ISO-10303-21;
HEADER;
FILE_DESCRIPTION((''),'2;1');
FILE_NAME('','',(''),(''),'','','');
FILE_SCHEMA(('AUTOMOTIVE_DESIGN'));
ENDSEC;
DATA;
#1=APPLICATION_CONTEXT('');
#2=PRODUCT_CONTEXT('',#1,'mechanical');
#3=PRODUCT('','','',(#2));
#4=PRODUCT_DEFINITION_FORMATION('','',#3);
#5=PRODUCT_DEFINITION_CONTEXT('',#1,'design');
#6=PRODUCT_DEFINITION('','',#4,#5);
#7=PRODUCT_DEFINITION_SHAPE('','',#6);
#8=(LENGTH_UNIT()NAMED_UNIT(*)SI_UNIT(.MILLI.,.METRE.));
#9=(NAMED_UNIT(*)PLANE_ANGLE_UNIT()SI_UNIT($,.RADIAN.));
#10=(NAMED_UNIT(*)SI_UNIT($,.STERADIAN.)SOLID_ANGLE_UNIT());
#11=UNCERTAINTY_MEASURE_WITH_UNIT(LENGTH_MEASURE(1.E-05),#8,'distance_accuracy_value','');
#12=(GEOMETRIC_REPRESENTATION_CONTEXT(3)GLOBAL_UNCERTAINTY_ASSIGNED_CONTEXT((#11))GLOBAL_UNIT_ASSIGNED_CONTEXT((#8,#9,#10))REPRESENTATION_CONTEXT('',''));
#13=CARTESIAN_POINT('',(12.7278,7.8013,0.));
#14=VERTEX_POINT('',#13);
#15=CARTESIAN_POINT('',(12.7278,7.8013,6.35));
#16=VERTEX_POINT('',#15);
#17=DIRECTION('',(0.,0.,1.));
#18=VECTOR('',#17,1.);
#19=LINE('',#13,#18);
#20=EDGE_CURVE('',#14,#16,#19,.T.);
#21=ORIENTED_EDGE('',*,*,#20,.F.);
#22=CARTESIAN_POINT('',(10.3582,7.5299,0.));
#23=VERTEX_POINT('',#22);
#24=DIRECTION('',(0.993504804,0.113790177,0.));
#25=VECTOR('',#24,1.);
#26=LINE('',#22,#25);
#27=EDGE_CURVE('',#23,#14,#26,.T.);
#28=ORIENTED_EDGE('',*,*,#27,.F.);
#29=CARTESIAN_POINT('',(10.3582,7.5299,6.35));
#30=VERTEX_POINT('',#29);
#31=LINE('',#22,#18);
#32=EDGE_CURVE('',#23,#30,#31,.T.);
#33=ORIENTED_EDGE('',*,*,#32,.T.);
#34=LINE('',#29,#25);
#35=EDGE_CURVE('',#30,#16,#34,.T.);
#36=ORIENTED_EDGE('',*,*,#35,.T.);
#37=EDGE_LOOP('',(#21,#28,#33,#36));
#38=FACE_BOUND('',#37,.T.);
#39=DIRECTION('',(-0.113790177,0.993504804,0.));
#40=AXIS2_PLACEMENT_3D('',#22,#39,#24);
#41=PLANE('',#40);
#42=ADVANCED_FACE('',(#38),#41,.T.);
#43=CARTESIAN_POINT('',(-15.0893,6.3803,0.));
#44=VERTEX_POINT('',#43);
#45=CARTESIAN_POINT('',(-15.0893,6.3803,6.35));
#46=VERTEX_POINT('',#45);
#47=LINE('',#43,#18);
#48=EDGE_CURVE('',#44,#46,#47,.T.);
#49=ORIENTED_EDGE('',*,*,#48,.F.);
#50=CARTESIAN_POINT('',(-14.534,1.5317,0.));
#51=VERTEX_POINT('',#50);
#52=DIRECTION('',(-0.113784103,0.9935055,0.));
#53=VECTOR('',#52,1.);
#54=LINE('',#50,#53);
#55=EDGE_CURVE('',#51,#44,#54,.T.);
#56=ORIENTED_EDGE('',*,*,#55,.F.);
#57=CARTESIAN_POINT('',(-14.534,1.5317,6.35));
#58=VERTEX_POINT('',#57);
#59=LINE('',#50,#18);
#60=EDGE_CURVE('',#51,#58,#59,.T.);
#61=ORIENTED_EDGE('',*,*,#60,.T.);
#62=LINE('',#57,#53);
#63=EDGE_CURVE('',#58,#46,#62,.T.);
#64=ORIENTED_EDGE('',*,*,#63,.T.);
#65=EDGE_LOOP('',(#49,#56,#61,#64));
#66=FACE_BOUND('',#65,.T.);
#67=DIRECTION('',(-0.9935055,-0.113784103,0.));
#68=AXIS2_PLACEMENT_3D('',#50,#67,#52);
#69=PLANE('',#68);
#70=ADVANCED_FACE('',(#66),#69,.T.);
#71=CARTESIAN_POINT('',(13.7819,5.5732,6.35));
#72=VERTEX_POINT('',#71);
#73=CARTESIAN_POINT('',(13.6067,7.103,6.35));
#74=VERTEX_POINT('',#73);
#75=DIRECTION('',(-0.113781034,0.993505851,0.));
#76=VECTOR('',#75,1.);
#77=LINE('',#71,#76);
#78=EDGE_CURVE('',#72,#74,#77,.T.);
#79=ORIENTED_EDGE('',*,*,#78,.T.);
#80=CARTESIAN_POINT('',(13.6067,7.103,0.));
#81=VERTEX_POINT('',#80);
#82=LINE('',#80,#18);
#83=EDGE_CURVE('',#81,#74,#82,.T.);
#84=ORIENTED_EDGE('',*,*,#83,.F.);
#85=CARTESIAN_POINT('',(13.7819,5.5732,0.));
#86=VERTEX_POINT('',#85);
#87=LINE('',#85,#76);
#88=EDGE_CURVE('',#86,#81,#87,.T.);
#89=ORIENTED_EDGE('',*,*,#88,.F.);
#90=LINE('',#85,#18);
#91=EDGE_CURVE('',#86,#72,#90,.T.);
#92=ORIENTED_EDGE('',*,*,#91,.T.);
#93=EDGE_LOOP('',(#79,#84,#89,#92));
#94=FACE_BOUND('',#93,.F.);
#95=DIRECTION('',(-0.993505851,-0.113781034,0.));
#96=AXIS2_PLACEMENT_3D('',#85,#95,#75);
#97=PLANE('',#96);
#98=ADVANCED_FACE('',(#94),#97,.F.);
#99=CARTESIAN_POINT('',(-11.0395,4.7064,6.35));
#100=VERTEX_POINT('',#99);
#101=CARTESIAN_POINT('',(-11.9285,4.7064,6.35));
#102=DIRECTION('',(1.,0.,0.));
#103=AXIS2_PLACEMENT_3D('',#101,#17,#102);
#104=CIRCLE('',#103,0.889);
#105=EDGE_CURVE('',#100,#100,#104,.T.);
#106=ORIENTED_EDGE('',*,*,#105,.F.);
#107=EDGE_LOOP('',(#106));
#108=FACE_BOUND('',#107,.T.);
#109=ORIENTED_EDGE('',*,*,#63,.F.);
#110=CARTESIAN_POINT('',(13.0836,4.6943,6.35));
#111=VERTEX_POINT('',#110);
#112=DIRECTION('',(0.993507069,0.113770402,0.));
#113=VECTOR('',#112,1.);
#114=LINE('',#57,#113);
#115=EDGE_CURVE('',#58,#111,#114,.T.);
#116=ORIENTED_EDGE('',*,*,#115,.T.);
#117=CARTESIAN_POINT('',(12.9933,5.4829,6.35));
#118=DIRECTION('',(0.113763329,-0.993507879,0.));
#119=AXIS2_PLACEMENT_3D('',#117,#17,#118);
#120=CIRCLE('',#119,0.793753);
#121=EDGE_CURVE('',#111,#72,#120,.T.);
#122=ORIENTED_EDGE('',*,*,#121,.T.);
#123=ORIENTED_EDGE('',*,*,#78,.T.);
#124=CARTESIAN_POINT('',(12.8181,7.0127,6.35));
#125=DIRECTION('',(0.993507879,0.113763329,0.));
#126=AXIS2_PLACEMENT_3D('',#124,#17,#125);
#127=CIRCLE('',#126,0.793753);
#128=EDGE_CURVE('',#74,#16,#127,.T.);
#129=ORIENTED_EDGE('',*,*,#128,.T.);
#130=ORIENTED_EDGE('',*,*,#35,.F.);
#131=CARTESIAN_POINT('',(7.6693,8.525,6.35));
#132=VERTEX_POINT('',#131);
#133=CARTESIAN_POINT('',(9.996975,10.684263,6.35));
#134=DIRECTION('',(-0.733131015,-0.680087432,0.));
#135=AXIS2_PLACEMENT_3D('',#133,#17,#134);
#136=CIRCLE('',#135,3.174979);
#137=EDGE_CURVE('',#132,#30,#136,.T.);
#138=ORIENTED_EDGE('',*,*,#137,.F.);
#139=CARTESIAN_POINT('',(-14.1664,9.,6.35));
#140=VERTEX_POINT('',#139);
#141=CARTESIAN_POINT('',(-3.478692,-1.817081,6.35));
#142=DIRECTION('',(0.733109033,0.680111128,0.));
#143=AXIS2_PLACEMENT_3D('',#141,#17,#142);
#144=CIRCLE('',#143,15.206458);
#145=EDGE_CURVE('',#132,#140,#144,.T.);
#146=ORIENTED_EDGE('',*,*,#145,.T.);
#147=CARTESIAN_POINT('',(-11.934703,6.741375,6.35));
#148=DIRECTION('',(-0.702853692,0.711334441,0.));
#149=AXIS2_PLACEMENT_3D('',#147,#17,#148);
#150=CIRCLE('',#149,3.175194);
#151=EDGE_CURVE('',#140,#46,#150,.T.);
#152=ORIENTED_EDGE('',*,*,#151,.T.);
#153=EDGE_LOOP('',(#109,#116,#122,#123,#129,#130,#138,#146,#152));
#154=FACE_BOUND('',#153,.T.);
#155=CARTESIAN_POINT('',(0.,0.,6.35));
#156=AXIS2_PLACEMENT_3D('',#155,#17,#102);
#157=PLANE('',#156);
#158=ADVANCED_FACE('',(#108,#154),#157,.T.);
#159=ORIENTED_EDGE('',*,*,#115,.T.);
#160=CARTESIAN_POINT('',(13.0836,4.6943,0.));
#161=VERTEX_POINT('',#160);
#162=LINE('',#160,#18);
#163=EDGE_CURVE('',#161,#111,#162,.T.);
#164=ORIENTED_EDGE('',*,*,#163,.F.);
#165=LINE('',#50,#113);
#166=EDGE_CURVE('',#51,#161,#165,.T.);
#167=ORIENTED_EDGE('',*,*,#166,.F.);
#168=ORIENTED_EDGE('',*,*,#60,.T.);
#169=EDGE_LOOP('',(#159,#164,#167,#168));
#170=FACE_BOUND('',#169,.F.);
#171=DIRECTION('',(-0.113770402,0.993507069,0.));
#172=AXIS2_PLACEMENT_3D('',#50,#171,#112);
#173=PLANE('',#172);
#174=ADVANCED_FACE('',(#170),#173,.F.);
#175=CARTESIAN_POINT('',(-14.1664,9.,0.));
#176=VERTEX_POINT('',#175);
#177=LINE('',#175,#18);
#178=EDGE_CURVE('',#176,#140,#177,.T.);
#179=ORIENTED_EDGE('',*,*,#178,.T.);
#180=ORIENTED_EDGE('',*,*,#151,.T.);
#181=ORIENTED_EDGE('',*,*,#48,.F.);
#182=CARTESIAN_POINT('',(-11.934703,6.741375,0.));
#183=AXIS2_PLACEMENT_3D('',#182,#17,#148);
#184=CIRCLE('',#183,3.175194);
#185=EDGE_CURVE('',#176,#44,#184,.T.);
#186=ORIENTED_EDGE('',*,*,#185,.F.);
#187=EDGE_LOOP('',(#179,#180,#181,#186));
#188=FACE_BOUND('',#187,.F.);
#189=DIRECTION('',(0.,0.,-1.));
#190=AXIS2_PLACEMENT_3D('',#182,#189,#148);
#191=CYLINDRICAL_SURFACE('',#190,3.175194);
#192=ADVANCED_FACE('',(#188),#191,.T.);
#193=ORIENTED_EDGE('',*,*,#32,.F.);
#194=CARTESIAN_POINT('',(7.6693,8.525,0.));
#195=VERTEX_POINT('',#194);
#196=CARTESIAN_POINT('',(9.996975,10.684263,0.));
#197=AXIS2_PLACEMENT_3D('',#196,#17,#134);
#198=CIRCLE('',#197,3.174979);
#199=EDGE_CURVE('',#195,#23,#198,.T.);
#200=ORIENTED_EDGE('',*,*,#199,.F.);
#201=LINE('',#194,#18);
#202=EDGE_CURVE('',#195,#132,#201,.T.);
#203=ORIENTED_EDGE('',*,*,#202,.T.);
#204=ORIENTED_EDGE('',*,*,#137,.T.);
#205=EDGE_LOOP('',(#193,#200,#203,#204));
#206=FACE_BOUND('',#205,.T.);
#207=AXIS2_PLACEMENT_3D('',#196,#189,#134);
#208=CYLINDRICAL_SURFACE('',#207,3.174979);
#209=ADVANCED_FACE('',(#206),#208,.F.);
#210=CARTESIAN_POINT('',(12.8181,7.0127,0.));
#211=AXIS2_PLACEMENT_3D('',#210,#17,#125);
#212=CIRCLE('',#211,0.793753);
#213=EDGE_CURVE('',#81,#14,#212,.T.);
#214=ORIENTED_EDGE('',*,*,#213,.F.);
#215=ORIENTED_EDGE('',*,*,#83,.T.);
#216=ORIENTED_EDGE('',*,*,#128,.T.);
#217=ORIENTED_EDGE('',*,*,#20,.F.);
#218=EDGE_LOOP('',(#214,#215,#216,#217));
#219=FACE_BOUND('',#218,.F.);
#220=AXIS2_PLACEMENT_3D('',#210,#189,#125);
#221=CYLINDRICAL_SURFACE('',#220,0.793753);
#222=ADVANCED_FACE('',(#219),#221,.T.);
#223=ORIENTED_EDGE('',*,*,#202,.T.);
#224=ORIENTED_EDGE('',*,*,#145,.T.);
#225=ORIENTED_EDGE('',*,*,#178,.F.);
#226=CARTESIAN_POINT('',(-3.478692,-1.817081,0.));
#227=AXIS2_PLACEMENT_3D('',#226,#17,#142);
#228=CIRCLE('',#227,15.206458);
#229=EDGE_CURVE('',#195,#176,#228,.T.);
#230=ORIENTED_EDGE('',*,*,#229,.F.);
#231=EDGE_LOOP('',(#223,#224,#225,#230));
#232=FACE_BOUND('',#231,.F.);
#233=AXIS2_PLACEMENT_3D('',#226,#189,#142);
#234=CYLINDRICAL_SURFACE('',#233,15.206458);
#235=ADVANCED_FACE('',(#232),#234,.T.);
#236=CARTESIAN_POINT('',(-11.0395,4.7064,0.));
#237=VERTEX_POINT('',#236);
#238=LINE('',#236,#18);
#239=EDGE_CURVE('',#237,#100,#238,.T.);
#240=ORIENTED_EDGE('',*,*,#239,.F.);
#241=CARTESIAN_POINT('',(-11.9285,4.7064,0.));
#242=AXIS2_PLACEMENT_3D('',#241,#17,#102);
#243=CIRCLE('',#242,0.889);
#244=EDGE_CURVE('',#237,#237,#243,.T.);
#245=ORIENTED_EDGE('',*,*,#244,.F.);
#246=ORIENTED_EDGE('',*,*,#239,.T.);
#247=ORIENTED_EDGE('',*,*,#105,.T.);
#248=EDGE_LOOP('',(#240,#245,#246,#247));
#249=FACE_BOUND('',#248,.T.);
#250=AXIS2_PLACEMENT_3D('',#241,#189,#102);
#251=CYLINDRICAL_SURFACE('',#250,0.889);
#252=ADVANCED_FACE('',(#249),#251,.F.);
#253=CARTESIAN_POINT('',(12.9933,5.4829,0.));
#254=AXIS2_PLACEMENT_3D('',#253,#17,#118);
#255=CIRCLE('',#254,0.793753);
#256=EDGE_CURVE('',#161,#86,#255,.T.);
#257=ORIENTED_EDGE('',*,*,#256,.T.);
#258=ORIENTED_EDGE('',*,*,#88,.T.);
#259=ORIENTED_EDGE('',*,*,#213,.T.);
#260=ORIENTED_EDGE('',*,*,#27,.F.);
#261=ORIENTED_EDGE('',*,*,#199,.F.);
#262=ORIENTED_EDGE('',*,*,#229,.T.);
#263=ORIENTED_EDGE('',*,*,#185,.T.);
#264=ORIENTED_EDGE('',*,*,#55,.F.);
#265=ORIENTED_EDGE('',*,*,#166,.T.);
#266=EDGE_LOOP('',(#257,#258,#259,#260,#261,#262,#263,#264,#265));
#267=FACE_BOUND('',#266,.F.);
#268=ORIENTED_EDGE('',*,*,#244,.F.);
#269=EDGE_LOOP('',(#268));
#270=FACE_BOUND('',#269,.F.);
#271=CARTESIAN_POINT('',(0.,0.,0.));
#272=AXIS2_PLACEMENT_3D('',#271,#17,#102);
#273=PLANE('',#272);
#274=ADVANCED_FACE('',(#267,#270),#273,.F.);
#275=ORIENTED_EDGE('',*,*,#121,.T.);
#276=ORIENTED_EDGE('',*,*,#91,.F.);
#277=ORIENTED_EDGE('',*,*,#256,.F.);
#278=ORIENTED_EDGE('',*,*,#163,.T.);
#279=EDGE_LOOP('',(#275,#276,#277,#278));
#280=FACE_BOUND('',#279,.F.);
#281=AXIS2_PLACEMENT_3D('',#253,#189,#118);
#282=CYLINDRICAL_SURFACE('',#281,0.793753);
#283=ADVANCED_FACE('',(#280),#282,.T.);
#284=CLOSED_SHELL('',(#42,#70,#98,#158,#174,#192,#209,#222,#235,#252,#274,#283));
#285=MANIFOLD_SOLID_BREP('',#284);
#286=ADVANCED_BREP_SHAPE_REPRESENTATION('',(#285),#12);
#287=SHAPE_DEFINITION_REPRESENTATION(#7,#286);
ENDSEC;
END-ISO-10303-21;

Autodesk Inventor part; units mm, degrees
ref_plane "YZ Plane" through (0, 0, 0) normal (1, 0, 0) x (0, 1, 0)
ref_plane "XZ Plane" through (0, 0, 0) normal (0, 1, 0) x (-1, 0, 0)
ref_plane "XY Plane" through (0, 0, 0) normal (0, 0, 1) x (1, 0, 0)
sketch "Sketch1" plane through (0, 0, 0) normal (0, 0, 1) x (1, 0, 0)
  line L0 (-14.534, 1.5317) -> (13.0836, 4.6943)
  circle A0 centre (-11.9285, 4.7064) radius 0.889
  line L1 (10.3582, 7.5299) -> (12.7278, 7.8013)
  line L2 (13.7819, 5.5732) -> (13.6067, 7.103)
  arc A1 (13.6067, 7.103) -> (12.7278, 7.8013) centre (12.8181, 7.0127) ccw
  arc A2 (13.0836, 4.6943) -> (13.7819, 5.5732) centre (12.9933, 5.4829) ccw
  line L3 (32.8587, 7.8064) -> (-30.5519, 7.8064) construction
  line L4 (-30.2613, 13.1404) -> (33.8138, 13.1404) construction
  line L5 (-30.9672, 1.5317) -> (34.7689, 1.5317) construction
  line L6 (31.696, 4.6943) -> (-28.6002, 4.6943) construction
  line L7 (-29.3477, 13.3894) -> (32.568, 13.3894) construction
  line L8 (-30.5519, 10.5496) -> (32.8587, 10.5496) construction
  line L9 (17.7471, 10.5496) -> (27.535, 10.5496) construction
  line L10 (27.535, 10.5496) -> (27.535, 7.8064) construction
  line L11 (27.535, 7.8064) -> (17.7471, 7.8064) construction
  line L12 (17.7471, 7.8064) -> (17.7471, 10.5496) construction
  line L13 (17.7471, 13.1404) -> (27.535, 13.1404) construction
  line L14 (27.535, 13.1404) -> (27.535, 10.5496) construction
  line L15 (27.535, 10.5496) -> (17.7471, 10.5496) construction
  line L16 (17.7471, 10.5496) -> (17.7471, 13.1404) construction
  line L17 (-11.8273, 3.8231) -> (-11.6034, 1.8673) construction
  line L18 (-11.8273, 3.8231) -> (-11.8273, 1.5317) construction
  line L19 (-26.9329, 1.8545) -> (28.4398, 1.8545) construction
  line L20 (17.7471, 1.8545) -> (27.535, 1.8545) construction
  line L21 (27.535, 1.8545) -> (27.535, 1.5317) construction
  line L22 (27.535, 1.5317) -> (17.7471, 1.5317) construction
  line L23 (17.7471, 1.5317) -> (17.7471, 1.8545) construction
  line L24 (-15.1099, 1.5317) -> (-15.1099, 10.5496) construction
  line L25 (8.6645, 10.5496) -> (8.6645, 1.5317) construction
  line L26 (-14.534, 1.5317) -> (-15.0893, 6.3803)
  arc A3 (7.6693, 8.525) -> (-14.1664, 9) centre (-3.4787, -1.8171) ccw
  arc A4 (-14.1664, 9) -> (-15.0893, 6.3803) centre (-11.9349, 6.7415) ccw
  arc A5 (7.6693, 8.525) -> (10.3582, 7.5299) centre (9.997, 10.6843) ccw
  point P0 (8.6645, 7.336)
  point P1 (-15.2526, 7.8064)
  dimension "nail" = 1.778
  dimension "d38" = 0.7937
  dimension "d61" = 3.1273
  dimension "d62" = 27.7981
  dimension "d69" = 3.1625
  dimension "d71" = 2.7432
  dimension "d72" = 2.5908
  dimension "d73" = 1.9686
  dimension "d75" = 2.2914
  dimension "d76" = 0.3228
  dimension "d77" = 2.8397
  dimension "d78" = 23.7744
  dimension "d80" = 3.175
extrude "Extrusion6" add sketch "Sketch1" along normal blind 6.35
properties part number "Surface Switch Trigger (Low Rider)"
